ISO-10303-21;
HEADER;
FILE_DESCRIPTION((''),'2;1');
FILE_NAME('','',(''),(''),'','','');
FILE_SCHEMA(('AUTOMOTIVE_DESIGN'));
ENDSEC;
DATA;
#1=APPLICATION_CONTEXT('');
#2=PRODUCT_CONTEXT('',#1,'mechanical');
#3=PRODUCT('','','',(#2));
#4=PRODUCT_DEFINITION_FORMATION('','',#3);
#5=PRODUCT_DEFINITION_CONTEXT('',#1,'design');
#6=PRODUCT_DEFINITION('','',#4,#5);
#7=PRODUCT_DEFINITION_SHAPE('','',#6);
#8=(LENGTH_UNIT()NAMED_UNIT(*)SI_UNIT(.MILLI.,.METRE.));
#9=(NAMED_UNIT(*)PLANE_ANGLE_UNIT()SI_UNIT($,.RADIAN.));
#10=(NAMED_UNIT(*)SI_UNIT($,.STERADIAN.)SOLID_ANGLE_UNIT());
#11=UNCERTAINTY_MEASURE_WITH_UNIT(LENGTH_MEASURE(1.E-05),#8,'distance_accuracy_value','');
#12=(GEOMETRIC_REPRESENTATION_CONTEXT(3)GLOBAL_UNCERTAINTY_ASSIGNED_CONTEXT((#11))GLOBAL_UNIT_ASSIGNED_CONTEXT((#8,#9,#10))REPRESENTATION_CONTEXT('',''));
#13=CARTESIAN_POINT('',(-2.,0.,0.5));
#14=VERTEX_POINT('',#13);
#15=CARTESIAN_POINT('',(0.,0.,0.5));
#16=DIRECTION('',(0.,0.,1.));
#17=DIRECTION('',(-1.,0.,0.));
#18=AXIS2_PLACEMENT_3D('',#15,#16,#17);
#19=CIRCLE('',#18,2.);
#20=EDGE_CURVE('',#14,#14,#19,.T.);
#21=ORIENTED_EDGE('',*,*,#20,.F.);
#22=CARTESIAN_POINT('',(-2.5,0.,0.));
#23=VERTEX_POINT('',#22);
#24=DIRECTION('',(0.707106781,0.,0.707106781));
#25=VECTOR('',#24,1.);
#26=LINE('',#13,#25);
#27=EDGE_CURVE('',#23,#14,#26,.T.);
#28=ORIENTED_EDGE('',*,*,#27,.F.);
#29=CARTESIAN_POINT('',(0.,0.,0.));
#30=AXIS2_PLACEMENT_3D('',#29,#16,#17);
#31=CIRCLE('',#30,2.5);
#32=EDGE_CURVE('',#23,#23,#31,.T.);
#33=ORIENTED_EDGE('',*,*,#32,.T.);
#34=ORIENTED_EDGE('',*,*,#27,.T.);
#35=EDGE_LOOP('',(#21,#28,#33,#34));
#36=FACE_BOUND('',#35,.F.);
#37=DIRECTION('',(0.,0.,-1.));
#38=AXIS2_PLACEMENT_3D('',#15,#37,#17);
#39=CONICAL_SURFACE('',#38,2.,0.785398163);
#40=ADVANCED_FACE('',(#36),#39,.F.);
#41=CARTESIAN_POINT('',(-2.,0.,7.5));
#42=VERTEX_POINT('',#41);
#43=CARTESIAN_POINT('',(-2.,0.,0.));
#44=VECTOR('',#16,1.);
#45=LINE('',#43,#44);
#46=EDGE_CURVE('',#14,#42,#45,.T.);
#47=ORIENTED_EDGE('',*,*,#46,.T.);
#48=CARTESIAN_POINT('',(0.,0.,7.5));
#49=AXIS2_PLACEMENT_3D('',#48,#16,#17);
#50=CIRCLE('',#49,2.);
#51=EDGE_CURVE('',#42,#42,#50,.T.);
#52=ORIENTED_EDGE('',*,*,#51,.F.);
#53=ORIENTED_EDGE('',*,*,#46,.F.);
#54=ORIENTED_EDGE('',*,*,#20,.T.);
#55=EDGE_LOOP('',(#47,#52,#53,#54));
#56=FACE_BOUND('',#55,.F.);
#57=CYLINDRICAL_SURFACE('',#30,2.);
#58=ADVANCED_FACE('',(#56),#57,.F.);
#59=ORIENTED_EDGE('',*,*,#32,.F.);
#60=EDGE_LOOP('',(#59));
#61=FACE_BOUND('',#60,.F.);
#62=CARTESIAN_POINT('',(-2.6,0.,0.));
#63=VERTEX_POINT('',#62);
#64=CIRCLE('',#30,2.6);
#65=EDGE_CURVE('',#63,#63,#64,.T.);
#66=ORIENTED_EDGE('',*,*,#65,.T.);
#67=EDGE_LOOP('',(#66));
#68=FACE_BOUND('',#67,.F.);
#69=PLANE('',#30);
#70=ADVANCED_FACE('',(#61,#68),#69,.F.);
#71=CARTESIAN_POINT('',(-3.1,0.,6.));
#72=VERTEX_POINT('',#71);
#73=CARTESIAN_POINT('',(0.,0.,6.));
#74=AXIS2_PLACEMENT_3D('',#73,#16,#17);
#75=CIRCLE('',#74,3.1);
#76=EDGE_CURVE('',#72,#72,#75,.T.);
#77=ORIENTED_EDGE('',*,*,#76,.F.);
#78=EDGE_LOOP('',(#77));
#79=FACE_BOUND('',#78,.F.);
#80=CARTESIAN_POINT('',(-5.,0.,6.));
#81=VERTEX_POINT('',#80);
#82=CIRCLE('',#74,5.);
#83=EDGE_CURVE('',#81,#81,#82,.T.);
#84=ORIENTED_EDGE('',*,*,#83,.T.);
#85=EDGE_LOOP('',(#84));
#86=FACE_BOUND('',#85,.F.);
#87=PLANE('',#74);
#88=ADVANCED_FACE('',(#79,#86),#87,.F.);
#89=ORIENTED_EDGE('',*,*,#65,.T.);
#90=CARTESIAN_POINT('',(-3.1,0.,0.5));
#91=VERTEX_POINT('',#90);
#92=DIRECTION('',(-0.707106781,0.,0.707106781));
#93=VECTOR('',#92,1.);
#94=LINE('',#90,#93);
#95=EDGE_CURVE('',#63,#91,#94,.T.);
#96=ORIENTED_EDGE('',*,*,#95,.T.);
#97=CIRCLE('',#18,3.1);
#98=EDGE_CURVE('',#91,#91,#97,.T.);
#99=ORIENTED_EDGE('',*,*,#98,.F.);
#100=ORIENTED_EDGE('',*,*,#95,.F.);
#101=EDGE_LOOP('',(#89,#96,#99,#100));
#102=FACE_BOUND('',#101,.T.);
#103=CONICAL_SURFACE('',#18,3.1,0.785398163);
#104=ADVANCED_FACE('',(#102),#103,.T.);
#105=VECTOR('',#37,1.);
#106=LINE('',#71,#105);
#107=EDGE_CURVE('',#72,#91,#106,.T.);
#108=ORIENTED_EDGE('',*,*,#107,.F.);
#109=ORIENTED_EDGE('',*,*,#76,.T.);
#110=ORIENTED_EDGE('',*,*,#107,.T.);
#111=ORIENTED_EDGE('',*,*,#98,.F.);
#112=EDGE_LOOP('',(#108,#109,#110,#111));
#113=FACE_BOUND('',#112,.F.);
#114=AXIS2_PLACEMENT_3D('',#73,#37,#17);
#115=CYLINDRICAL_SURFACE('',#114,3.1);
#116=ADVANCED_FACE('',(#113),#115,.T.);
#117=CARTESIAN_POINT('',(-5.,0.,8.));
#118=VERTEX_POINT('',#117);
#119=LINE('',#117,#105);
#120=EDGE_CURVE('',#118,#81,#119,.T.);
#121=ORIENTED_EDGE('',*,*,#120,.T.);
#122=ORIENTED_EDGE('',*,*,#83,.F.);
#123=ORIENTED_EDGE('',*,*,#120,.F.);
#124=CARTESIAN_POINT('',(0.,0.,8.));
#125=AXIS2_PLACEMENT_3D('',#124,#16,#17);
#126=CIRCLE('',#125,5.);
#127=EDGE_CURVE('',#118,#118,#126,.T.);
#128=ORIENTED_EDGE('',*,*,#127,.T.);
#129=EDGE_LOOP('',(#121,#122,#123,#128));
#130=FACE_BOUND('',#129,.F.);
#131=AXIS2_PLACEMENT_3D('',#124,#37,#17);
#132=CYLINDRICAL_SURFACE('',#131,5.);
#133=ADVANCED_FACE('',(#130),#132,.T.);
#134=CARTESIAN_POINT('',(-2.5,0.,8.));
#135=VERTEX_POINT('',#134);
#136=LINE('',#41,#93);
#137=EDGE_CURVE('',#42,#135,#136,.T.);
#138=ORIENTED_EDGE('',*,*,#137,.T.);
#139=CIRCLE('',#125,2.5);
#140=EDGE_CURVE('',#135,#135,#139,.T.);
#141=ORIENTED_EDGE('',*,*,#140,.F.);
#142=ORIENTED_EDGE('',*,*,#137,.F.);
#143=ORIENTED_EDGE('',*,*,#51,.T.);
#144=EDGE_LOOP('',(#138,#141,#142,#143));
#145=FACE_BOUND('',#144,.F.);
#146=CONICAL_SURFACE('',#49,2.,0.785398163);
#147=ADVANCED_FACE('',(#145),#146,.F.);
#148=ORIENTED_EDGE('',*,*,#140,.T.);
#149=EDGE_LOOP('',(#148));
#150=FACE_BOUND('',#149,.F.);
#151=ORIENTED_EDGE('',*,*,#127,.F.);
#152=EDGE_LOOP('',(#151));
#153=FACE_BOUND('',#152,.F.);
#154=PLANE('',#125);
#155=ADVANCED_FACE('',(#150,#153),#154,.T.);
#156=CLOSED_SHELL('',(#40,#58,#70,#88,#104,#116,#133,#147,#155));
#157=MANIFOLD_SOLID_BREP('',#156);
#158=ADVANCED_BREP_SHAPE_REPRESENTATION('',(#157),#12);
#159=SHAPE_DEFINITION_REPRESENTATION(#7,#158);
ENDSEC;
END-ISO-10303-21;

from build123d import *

# Parameters (mm, degrees)
F2_SIZE = 0.5


with BuildPart() as f1:
    # F0 (on Front) → F1 (revolve)
    with BuildSketch(Plane.XZ):
        Polygon((-3.1, 0), (-2, 0), (-2, 8), (-5, 8), (-5, 6), (-3.1, 6), align=None)
    revolve(axis=Axis((0, 0, 4.947596), (0, 0, 1)))

    # F2
    f2_edges = [f1.edges().sort_by_distance(p)[0] for p in [
        (2, 0, 8),
        (2, 0, 0),
        (3.1, 0, 0),
    ]]
    chamfer(f2_edges, length=F2_SIZE)


solid = f1.part
